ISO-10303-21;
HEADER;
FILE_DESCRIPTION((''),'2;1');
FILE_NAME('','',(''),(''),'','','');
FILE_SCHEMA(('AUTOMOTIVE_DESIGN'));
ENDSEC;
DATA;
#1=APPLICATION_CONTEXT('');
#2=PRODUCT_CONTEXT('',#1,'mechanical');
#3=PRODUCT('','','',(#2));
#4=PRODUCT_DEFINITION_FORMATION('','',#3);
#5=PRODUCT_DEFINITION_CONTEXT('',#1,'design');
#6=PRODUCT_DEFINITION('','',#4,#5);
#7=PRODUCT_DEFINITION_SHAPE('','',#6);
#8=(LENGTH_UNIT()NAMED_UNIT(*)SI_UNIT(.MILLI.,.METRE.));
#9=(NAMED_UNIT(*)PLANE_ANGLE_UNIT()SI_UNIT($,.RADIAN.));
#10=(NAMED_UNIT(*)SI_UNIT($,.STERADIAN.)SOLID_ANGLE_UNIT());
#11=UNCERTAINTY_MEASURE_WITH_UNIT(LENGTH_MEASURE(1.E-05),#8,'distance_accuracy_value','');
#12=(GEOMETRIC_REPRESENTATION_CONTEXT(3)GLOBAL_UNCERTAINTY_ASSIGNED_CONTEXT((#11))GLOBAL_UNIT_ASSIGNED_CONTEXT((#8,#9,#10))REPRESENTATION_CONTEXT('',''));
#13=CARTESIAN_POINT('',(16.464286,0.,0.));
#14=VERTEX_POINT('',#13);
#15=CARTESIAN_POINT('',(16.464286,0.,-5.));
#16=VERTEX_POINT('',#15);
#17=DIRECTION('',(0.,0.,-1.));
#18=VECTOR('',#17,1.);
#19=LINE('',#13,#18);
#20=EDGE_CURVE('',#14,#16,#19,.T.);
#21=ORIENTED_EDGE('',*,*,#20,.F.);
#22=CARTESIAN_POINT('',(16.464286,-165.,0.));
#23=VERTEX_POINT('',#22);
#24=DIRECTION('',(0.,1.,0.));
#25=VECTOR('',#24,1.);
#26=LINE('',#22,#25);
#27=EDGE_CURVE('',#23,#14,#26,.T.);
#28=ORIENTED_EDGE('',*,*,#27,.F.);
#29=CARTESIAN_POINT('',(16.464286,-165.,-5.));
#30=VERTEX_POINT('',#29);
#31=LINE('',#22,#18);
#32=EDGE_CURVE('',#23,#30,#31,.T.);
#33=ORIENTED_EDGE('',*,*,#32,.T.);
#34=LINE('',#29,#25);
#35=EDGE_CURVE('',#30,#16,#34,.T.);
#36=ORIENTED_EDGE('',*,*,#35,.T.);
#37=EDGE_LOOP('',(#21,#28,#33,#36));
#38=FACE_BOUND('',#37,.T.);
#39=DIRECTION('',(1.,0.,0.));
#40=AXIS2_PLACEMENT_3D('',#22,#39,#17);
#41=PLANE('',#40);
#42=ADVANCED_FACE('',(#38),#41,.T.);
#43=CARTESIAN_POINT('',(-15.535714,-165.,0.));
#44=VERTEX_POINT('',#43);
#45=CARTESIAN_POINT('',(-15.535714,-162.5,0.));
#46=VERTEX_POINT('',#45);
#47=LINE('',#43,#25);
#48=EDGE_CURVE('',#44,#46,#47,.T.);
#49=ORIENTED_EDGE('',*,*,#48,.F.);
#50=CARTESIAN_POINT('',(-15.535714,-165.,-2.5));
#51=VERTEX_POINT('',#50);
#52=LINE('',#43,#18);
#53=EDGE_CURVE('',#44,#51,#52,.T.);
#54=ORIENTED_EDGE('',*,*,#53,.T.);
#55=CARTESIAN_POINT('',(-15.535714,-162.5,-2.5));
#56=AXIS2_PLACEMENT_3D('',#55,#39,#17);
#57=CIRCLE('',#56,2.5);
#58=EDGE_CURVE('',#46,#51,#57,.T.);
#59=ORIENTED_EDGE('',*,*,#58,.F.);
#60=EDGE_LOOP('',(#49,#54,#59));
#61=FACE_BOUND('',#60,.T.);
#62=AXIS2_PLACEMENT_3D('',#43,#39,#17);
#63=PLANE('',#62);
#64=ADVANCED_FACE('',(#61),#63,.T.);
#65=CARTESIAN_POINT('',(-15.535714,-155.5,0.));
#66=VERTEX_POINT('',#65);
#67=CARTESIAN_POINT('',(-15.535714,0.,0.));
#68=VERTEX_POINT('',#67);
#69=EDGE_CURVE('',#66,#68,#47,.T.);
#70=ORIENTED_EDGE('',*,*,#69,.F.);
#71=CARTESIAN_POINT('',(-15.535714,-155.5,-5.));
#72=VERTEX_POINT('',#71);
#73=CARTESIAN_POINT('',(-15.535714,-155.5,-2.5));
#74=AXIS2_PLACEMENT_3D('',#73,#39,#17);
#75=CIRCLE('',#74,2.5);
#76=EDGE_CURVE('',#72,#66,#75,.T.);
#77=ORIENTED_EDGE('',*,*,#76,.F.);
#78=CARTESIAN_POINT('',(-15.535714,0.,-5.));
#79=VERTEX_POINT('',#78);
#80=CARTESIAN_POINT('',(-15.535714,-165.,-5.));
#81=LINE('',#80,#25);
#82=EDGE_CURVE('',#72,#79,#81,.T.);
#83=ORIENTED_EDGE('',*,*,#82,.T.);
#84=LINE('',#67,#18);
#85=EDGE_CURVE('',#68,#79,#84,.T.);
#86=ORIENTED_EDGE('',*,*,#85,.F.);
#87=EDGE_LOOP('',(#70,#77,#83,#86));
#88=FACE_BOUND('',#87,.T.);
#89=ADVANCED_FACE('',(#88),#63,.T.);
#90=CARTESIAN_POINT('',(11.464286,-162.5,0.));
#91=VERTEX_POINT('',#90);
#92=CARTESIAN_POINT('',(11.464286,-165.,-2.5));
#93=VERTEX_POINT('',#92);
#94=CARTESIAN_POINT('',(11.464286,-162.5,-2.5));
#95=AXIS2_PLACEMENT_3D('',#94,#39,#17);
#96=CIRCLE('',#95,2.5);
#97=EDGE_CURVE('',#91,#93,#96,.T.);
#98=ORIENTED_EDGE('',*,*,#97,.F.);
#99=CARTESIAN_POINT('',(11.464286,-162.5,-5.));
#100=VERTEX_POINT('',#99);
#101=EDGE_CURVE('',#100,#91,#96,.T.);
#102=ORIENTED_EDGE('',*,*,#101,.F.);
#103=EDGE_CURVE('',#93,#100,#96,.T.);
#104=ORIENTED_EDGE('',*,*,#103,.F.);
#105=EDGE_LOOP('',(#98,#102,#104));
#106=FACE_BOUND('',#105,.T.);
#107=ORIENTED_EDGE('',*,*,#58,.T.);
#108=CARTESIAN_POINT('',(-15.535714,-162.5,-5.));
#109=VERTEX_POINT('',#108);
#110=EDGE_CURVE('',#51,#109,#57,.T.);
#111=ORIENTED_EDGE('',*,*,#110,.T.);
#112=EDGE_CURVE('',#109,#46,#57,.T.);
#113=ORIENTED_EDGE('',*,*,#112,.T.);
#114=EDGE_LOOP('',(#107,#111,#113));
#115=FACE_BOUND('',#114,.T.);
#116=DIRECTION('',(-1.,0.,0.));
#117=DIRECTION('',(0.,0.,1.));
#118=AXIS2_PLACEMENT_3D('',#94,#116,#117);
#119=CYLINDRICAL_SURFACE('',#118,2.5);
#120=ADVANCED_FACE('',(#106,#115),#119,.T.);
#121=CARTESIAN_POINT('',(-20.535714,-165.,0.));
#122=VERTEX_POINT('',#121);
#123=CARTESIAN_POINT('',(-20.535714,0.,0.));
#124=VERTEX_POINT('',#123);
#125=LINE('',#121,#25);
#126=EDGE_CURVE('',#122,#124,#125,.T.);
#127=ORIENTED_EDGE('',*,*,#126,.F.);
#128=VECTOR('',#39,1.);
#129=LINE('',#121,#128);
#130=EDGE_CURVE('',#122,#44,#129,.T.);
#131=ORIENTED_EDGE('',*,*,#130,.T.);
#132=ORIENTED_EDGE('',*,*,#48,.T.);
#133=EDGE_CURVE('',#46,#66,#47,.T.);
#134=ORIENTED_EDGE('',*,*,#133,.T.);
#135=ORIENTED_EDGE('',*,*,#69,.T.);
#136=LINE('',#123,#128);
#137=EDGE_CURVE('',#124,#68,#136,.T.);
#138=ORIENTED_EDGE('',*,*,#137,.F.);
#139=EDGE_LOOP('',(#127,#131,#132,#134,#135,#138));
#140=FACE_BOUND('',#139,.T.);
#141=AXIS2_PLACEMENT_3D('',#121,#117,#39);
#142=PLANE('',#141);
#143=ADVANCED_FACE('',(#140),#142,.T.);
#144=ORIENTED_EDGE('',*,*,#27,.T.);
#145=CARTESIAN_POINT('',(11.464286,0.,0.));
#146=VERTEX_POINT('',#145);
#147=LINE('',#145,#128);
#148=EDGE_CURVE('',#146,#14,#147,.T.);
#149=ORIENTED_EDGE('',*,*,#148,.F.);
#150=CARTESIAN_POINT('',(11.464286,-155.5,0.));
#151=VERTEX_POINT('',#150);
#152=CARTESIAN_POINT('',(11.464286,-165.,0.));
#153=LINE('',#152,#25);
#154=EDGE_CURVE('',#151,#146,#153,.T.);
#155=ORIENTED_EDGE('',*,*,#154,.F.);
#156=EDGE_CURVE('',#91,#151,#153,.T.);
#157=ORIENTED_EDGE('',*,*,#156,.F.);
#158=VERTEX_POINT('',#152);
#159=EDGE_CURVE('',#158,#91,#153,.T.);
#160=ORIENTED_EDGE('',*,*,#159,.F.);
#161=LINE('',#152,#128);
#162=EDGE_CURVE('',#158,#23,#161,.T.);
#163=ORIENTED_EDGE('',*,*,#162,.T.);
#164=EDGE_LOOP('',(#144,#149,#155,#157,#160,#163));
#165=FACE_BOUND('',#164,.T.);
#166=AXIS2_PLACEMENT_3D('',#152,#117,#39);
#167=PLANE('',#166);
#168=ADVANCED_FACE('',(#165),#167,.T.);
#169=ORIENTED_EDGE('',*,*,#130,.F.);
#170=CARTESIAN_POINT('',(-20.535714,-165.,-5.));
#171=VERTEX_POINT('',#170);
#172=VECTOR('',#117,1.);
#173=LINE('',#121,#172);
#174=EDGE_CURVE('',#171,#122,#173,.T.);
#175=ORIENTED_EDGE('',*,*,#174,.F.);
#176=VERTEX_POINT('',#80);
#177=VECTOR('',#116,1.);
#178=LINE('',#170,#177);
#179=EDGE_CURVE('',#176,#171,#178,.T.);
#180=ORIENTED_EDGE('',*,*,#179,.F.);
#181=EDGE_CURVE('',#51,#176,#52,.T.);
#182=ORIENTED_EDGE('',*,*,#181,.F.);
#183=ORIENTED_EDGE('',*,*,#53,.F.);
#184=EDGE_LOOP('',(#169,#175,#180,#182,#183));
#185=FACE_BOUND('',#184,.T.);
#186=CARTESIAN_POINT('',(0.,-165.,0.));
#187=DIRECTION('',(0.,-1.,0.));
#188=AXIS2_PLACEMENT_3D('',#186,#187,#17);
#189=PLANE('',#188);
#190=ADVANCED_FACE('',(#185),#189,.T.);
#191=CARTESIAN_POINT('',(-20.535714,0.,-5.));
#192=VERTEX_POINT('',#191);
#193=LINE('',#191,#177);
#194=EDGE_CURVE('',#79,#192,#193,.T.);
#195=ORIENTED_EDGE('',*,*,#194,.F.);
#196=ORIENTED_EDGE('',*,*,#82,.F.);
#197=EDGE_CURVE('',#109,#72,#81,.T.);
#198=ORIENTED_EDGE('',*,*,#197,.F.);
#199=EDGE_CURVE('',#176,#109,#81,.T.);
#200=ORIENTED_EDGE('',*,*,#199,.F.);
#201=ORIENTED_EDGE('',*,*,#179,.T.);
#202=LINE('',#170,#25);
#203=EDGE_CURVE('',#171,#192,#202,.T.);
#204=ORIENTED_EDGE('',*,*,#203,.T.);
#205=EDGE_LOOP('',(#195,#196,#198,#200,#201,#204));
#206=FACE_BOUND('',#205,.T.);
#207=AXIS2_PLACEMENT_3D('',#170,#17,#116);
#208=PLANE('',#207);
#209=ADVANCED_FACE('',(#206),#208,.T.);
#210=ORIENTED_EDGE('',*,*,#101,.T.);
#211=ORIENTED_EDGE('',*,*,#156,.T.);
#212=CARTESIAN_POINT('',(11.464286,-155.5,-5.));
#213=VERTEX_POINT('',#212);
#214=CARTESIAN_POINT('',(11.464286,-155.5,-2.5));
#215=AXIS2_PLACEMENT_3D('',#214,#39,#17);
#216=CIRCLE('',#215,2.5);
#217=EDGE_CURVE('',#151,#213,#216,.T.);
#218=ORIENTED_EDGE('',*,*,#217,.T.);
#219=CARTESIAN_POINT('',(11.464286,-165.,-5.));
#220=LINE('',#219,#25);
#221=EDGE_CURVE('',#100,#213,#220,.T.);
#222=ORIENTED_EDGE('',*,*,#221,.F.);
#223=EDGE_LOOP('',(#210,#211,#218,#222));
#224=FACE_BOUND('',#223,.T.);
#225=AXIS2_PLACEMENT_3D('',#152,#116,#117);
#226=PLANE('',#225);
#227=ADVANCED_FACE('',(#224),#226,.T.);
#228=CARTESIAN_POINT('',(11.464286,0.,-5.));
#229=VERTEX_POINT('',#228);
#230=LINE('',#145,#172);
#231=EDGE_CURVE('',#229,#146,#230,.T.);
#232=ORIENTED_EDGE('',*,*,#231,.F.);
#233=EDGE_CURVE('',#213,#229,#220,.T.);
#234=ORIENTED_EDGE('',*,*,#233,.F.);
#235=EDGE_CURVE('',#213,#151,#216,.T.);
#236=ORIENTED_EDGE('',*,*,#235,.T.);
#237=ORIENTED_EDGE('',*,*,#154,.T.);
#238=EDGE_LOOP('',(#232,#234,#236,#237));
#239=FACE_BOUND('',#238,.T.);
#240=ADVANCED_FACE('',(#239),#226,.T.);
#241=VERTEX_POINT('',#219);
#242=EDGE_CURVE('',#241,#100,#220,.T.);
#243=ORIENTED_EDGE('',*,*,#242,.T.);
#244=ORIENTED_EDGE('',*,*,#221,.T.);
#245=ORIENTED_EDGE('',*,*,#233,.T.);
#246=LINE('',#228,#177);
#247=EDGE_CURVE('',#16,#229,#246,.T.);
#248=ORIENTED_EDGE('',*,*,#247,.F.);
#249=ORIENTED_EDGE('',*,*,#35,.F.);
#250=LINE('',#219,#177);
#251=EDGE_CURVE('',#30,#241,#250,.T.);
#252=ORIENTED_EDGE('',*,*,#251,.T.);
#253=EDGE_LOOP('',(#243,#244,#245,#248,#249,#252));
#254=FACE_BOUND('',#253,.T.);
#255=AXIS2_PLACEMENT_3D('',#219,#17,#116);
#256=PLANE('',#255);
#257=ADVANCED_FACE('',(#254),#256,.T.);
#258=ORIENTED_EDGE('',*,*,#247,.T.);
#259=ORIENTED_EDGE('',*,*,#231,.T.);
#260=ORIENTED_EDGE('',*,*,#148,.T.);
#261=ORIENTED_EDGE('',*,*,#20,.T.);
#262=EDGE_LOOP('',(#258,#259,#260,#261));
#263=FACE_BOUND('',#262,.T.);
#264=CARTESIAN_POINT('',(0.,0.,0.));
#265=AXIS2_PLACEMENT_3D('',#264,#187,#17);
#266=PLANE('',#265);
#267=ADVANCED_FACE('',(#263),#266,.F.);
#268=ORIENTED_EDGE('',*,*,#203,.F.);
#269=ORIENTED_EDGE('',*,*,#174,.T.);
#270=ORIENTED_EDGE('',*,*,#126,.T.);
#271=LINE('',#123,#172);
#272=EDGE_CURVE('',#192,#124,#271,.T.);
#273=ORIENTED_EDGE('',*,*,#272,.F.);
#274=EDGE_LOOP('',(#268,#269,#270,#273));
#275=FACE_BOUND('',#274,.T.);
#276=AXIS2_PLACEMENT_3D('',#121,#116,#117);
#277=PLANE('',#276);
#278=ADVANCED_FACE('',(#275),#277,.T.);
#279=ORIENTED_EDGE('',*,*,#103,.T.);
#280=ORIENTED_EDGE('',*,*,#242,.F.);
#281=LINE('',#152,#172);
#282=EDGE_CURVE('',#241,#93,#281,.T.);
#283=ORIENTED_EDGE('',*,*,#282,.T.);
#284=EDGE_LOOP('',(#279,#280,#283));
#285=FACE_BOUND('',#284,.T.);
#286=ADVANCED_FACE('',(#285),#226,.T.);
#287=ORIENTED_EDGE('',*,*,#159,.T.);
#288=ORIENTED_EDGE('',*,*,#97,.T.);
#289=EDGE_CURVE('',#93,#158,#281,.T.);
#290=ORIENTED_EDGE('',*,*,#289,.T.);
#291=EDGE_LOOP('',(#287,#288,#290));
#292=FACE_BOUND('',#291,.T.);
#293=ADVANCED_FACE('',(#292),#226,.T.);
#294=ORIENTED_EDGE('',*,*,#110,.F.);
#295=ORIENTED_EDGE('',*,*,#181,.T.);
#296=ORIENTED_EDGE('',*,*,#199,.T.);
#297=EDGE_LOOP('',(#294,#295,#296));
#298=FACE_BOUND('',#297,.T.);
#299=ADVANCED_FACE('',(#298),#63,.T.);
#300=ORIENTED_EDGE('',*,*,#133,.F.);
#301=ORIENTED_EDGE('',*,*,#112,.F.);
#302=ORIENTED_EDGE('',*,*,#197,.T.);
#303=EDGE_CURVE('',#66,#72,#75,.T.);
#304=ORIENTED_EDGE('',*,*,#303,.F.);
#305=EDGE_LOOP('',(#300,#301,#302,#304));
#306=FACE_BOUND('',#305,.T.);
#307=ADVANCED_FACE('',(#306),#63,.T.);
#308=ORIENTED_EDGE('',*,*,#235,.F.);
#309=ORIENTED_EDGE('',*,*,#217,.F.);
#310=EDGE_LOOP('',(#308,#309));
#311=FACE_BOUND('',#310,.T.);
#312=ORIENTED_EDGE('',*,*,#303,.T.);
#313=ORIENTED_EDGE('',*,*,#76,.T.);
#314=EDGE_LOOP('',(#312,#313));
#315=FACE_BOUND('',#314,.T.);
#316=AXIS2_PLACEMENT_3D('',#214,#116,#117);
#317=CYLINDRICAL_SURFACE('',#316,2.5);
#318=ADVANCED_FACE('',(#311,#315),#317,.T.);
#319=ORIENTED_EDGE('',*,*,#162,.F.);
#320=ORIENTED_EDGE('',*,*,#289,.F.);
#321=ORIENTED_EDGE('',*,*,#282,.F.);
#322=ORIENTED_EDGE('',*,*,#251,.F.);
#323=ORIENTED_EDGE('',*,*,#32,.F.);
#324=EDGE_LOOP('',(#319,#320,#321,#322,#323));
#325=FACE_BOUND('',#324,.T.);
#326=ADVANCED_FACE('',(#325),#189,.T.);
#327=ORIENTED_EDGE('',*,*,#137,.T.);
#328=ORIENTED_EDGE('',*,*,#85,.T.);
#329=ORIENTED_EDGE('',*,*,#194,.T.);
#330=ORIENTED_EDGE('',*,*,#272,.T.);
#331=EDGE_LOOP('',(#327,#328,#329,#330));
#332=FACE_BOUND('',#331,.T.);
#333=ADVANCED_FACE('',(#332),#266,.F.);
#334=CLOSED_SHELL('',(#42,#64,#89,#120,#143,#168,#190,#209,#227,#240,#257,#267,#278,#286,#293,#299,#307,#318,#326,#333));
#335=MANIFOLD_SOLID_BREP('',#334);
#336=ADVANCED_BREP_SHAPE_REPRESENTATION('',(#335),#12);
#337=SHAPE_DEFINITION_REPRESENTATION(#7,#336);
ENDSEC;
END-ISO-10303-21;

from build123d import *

# Parameters (mm, degrees)
SKETCH_1_W        = 5
SKETCH_1_H        = 5
EXTRUDE_2_DEPTH   = 165
EXTRUDE_2_2_DEPTH = 165
SKETCH_2_R        = 2.5
EXTRUDE_3_DEPTH   = 27


with BuildPart() as part:
    # ｽｹｯﾁ1 → ﾎﾞｽ - 押し出し2 (new body)
    with BuildSketch(Plane(origin=(0, 0, 0), x_dir=(1, 0, 0), z_dir=(0, 1, 0))):
        with Locations((-18.035714286, 2.5)):
            Rectangle(SKETCH_1_W, SKETCH_1_H)
    extrude(amount=-EXTRUDE_2_DEPTH)



with BuildPart() as body_2:
    # ｽｹｯﾁ1 → Extrude 2 2 (new body)
    with BuildSketch(Plane(origin=(0, 0, 0), x_dir=(1, 0, 0), z_dir=(0, 1, 0))):
        with Locations((13.964285714, 2.5)):
            Rectangle(SKETCH_1_W, SKETCH_1_H)
    extrude(amount=-EXTRUDE_2_2_DEPTH)


with BuildPart() as part_1:
    add(part.part)

    add(body_2.part)  # ﾎﾞｽ - 押し出し3 merges body 2
    # ｽｹｯﾁ2 → ﾎﾞｽ - 押し出し3 (add)
    with BuildSketch(Plane(origin=(-15.535714286, 0, 0), x_dir=(0, 0, -1), z_dir=(1, 0, 0))):
        with Locations(Location((2.5, -162.5, 0), (0, 0, 180))):
            Circle(SKETCH_2_R)
        with Locations(Location((2.5, -155.5, 0), (0, 0, 180))):
            Circle(SKETCH_2_R)
    extrude(amount=EXTRUDE_3_DEPTH)


solid = part_1.part
